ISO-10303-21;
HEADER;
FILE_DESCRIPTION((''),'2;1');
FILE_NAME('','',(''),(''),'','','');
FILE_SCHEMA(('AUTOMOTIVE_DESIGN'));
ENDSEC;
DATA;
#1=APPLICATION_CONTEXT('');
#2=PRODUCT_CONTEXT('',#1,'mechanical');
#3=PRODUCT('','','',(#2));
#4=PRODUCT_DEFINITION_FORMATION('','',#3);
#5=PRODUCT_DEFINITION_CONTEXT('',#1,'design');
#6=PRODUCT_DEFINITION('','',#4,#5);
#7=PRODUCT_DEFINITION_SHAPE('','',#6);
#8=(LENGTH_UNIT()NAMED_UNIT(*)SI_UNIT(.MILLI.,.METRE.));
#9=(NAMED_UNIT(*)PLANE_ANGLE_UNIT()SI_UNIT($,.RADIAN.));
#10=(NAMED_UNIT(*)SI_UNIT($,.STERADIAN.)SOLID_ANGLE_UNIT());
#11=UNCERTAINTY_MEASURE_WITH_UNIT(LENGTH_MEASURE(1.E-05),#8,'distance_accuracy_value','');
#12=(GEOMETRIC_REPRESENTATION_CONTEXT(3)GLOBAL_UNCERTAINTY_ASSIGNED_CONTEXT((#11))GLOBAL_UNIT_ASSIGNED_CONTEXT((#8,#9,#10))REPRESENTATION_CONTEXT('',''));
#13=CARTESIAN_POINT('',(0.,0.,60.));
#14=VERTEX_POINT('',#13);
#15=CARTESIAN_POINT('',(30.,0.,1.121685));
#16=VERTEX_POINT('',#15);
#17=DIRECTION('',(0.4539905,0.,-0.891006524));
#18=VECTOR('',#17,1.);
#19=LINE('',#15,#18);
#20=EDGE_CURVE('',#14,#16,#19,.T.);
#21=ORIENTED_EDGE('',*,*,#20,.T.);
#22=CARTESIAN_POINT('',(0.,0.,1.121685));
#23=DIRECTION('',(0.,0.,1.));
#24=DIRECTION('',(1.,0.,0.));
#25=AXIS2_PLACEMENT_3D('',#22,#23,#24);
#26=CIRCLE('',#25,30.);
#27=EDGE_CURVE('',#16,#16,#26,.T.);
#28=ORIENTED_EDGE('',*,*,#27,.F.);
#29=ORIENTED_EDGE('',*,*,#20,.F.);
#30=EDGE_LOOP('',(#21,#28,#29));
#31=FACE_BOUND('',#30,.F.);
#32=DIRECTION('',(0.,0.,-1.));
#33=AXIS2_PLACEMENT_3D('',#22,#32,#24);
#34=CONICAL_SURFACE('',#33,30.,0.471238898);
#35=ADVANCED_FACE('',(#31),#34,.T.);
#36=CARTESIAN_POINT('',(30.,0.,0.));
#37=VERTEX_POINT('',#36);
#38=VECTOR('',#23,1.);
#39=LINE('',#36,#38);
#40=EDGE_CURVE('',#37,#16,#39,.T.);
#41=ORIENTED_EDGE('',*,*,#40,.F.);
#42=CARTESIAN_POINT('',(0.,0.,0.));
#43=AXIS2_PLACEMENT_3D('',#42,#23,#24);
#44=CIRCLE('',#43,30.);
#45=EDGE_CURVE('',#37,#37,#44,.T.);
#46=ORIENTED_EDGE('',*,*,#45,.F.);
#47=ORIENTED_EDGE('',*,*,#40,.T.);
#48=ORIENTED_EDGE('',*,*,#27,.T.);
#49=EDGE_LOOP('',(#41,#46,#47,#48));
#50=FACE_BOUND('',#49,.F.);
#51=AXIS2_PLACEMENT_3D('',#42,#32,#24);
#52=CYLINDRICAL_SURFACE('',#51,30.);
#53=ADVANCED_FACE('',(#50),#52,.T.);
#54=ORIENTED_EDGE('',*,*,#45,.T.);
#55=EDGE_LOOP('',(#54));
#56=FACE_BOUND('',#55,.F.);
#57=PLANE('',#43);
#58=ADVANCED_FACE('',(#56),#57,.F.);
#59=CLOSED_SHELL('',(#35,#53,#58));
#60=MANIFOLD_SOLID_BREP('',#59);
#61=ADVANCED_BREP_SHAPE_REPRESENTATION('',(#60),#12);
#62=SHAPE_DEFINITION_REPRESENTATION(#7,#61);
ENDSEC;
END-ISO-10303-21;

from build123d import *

# Parameters (mm, degrees)
F0_R     = 30
F1_DEPTH = 60
F2_SIZE2 = 58.8783151652
F2_SIZE  = 30


with BuildPart() as f1:
    # F0 (on Top) → F1 (new body)
    with BuildSketch(Plane.XY):
        Circle(F0_R)
    extrude(amount=F1_DEPTH)

    # F2
    f2_edges = [f1.edges().sort_by_distance(p)[0] for p in [
        (-30, 0, 60),
    ]]
    f2_side = f1.faces().sort_by_distance((0, 0, 60))[0]
    chamfer(f2_edges, length=F2_SIZE, length2=F2_SIZE2, reference=f2_side)


solid = f1.part
